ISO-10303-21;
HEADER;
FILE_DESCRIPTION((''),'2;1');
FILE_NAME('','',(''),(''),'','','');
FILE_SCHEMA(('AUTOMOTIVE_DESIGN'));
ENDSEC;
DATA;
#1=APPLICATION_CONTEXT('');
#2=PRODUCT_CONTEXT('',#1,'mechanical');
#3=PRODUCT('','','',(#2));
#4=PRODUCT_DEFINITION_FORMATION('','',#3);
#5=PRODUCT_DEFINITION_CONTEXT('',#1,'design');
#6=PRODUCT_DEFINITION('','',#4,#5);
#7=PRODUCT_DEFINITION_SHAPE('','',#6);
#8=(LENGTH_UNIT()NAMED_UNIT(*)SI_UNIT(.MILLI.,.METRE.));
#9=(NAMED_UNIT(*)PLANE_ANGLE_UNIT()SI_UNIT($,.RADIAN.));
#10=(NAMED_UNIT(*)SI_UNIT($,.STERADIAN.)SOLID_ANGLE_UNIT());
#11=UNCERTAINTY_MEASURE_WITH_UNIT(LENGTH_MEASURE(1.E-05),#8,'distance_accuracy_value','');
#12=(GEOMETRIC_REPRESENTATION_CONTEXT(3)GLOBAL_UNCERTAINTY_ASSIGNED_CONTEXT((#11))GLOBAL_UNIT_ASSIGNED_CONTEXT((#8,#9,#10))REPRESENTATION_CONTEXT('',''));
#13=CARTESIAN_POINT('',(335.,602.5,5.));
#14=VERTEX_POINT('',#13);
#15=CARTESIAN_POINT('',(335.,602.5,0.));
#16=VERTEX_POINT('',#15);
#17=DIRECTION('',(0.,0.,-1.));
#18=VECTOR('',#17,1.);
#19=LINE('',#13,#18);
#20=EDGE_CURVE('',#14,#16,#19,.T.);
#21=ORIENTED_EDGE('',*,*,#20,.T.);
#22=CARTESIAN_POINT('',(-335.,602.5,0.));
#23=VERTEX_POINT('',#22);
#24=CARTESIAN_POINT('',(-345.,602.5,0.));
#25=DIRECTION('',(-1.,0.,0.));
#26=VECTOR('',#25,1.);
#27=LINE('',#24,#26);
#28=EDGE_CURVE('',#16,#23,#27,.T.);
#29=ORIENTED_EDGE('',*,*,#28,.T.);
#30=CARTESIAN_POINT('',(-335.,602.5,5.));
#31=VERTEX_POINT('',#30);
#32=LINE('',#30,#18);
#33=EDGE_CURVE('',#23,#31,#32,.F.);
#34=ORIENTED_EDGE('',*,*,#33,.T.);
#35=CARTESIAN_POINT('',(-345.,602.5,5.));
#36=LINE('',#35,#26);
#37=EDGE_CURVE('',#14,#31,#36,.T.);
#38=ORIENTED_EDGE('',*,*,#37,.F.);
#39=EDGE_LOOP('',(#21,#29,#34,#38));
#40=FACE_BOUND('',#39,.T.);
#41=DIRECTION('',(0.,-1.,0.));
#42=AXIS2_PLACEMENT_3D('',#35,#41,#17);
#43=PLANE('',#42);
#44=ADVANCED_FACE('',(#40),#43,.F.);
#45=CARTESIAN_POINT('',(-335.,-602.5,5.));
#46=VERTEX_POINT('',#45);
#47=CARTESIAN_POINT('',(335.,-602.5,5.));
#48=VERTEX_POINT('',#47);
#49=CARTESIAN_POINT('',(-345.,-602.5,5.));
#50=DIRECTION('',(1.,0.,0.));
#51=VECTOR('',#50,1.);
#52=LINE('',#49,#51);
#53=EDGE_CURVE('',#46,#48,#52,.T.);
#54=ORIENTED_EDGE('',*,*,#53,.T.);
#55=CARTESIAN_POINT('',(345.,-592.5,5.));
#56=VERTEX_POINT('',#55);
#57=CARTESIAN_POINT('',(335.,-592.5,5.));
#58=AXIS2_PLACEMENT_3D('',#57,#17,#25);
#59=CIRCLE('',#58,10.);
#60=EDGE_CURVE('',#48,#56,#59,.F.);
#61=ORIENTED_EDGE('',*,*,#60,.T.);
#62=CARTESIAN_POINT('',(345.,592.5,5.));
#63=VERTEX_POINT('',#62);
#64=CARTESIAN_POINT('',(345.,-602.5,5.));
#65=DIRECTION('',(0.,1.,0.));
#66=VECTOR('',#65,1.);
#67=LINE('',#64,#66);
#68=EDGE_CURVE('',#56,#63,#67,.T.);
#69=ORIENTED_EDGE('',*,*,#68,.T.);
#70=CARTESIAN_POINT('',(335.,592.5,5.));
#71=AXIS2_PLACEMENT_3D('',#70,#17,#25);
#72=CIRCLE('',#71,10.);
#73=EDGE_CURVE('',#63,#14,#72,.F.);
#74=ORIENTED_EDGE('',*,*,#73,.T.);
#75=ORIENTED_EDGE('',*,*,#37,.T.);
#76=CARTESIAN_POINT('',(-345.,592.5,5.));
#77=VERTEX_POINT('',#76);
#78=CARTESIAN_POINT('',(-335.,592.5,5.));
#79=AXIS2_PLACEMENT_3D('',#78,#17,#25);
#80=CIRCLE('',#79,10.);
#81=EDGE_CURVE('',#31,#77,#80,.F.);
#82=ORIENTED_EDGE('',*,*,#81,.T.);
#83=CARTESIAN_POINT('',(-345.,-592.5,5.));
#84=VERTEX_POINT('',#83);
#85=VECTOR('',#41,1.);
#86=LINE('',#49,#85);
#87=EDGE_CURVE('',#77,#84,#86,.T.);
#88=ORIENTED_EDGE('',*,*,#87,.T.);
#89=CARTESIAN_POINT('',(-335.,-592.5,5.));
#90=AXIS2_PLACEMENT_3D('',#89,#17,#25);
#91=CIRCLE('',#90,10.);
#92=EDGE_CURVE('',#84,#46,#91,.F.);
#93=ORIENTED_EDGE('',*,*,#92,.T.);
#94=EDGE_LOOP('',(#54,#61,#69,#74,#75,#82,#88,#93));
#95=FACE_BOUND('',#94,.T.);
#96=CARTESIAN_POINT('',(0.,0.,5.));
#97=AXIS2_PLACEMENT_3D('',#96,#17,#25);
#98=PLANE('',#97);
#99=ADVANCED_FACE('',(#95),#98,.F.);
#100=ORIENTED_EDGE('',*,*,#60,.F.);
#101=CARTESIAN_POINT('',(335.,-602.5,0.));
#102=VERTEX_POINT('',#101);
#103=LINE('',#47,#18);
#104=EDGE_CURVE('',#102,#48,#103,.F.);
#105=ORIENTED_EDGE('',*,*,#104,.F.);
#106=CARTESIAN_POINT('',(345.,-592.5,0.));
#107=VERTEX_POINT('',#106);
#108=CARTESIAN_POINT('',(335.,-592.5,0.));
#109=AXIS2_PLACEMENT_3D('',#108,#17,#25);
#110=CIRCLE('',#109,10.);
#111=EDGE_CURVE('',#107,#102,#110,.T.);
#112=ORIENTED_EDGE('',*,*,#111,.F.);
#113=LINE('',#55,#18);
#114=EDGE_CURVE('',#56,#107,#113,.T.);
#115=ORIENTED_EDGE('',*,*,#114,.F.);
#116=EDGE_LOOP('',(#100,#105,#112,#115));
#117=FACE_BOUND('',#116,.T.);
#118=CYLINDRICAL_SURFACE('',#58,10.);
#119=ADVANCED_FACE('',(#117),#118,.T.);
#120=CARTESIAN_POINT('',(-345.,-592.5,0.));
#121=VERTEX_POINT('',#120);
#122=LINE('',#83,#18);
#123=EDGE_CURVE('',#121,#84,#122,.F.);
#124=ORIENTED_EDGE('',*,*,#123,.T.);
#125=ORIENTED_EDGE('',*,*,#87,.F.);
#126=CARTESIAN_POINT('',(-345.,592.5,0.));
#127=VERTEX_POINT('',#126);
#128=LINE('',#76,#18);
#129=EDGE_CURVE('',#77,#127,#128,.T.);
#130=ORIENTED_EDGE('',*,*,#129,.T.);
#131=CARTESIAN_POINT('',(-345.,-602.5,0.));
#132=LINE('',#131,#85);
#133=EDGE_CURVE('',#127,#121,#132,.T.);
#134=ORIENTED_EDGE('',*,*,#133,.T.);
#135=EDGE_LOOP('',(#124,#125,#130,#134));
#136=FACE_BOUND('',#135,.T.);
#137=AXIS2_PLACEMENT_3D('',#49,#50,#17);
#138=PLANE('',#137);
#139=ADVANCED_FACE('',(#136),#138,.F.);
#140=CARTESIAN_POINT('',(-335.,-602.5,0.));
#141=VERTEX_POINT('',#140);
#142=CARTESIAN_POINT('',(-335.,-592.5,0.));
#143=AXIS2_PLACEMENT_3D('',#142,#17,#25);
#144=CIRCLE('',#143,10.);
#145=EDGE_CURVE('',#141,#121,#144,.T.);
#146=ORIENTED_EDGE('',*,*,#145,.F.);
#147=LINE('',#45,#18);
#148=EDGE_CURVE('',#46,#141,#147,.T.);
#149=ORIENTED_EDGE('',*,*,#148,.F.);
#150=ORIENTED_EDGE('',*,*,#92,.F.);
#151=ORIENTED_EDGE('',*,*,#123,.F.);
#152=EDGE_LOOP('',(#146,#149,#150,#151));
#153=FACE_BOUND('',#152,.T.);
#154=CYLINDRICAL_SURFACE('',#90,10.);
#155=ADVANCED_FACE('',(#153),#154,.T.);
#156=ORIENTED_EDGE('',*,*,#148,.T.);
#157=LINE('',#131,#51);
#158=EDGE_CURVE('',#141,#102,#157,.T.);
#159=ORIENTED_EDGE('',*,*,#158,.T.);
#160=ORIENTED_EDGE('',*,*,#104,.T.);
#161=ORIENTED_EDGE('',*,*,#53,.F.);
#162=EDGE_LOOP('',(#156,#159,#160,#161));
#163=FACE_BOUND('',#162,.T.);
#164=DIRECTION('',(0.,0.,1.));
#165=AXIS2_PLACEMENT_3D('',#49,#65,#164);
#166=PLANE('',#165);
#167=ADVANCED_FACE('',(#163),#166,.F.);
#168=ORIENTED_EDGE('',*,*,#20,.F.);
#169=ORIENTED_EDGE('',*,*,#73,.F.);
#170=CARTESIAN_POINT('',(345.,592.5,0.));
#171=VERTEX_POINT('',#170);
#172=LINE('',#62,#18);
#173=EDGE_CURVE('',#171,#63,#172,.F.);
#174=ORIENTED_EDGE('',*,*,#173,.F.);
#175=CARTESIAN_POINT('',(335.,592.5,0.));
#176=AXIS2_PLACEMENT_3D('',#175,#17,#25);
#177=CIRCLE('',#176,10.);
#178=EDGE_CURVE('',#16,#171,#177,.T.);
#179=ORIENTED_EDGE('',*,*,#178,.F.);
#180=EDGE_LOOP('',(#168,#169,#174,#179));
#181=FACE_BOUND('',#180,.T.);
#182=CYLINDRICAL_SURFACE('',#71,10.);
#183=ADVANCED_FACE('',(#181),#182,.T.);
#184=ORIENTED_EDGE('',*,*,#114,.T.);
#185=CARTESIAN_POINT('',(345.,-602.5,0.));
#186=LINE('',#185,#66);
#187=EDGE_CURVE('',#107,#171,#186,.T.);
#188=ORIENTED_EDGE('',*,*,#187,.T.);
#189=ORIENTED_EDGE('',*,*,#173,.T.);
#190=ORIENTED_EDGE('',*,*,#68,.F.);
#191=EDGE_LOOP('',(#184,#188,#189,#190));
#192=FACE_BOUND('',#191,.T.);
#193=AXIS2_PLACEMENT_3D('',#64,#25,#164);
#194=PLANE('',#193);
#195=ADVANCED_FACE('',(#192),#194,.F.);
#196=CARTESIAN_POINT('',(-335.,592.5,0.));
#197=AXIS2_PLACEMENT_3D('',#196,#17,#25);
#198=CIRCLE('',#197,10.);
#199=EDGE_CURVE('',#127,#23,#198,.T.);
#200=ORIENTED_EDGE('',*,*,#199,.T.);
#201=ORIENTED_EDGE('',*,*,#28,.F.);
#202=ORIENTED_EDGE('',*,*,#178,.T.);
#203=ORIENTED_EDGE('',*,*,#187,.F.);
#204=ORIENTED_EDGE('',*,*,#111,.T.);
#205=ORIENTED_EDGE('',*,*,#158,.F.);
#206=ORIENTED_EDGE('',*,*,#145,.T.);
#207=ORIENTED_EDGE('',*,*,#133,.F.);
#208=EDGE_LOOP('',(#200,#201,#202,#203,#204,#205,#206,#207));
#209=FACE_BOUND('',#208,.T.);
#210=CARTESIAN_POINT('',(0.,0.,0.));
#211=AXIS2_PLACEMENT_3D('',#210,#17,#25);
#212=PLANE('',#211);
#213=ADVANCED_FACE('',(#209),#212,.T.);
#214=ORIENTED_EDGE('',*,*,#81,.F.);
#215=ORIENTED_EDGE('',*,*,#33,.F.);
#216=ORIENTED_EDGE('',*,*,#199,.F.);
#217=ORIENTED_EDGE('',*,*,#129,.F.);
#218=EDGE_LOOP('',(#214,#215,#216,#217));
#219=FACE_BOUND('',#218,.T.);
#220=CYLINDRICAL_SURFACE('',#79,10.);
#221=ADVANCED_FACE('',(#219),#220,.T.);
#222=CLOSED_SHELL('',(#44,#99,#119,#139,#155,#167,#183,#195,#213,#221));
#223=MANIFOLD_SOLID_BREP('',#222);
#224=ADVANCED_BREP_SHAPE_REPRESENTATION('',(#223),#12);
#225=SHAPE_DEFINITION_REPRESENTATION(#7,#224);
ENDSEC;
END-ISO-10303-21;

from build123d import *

# Parameters (mm, degrees)
SKETCH_1_W      = 690
SKETCH_1_H      = 1205
EXTRUDE_1_DEPTH = 5
FILLET_1_R      = 10


with BuildPart() as part:
    # 草图1 → 凸台-拉伸1 (new body)
    with BuildSketch(Plane.XY):
        Rectangle(SKETCH_1_W, SKETCH_1_H)
    extrude(amount=EXTRUDE_1_DEPTH)

    # 圆角1
    fillet_1_edges = [part.edges().sort_by_distance(p)[0] for p in [
        (345, -602.5, 2.5),
        (-345, -602.5, 2.5),
        (-345, 602.5, 2.5),
        (345, 602.5, 2.5),
    ]]
    fillet(fillet_1_edges, radius=FILLET_1_R)


solid = part.part
